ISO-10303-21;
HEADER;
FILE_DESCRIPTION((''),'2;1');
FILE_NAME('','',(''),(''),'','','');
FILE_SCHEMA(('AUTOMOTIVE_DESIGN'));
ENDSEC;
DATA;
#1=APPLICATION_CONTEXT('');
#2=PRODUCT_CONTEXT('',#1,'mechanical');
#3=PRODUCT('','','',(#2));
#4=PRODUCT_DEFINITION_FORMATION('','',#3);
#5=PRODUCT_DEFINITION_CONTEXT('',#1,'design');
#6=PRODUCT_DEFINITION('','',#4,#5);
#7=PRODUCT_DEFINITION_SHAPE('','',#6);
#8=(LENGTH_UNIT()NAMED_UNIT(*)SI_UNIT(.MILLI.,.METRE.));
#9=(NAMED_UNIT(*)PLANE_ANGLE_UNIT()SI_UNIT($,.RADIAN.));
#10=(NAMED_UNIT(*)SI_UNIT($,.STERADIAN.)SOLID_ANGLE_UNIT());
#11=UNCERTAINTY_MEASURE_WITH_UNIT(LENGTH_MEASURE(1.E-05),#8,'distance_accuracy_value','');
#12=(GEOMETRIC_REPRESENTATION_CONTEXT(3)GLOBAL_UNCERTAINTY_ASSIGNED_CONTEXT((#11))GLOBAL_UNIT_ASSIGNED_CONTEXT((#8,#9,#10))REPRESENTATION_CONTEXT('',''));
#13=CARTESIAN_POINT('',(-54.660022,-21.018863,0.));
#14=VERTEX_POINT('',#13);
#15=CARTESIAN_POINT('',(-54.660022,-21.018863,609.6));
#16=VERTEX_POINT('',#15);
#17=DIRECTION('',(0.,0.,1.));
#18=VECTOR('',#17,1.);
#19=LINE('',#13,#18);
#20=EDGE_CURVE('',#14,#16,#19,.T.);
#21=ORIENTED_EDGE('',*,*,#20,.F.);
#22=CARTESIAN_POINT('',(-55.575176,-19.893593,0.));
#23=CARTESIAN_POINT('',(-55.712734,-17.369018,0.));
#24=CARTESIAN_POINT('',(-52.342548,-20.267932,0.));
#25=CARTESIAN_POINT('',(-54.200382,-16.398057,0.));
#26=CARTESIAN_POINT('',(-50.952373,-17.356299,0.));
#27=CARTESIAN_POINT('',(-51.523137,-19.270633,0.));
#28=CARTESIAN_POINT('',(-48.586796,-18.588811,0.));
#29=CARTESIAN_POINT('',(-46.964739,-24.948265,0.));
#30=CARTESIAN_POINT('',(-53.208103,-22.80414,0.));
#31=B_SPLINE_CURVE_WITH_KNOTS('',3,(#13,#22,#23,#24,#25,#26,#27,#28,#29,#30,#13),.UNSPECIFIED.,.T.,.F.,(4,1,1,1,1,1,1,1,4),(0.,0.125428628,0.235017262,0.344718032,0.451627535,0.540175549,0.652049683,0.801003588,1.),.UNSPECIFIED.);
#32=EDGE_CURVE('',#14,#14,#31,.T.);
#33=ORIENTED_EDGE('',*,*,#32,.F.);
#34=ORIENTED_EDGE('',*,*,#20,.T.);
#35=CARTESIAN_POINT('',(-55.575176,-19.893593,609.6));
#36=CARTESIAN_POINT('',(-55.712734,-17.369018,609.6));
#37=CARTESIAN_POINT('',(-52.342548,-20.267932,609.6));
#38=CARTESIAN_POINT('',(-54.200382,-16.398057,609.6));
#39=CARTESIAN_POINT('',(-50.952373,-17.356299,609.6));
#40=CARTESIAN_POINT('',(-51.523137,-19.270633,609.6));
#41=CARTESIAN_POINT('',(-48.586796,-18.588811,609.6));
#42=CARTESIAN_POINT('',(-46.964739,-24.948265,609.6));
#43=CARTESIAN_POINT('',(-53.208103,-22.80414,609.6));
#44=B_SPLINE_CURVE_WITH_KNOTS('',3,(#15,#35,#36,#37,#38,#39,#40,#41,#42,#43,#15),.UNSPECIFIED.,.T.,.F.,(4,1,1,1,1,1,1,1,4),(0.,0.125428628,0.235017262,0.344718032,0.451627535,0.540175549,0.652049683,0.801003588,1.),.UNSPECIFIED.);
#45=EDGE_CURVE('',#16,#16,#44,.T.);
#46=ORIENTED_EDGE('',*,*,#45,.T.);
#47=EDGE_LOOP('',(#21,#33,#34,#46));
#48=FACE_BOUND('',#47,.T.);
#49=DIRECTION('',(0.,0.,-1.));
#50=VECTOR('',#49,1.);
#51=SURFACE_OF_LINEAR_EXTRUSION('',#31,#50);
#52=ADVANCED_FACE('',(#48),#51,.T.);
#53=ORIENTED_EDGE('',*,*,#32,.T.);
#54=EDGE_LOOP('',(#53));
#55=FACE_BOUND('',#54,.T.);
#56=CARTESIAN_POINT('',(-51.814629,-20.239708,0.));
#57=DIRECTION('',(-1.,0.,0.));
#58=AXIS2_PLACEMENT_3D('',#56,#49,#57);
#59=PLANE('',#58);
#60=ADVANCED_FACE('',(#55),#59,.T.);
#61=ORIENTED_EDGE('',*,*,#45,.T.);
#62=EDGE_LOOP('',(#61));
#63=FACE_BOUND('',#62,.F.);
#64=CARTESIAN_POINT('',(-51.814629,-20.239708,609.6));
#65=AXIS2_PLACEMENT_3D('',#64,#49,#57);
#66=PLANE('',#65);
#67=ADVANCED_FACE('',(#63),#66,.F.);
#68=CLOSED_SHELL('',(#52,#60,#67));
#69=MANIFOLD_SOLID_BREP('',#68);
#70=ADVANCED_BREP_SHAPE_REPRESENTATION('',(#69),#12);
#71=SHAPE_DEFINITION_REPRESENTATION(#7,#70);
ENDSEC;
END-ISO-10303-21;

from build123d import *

# Parameters (mm, degrees)
F1_DEPTH = 609.6


with BuildPart() as f1:
    # F0 (on Top) → F1 (new body)
    with BuildSketch(Plane.XY):
        with BuildLine():
            add(Edge.make_bspline(
                [(-54.6600223355, -21.0188633393), (-55.5751759708, -19.8935928993), (-55.7127338611, -17.3690180983), (-52.3425478, -20.267932437), (-54.2003823255, -16.3980574266), (-50.9523734652, -17.3562991301), (-51.5231373945, -19.2706332925), (-48.5867959599, -18.5888106492), (-46.9647388919, -24.9482647926), (-53.2081026781, -22.8041398312), (-54.6600223355, -21.0188633393)],
                knots=[0, 0, 0, 0, 0.1254286275, 0.2350172617, 0.3447180319, 0.451627535, 0.5401755486, 0.652049683, 0.801003588, 1, 1, 1, 1], degree=3))
        make_face()
    extrude(amount=F1_DEPTH)


solid = f1.part
